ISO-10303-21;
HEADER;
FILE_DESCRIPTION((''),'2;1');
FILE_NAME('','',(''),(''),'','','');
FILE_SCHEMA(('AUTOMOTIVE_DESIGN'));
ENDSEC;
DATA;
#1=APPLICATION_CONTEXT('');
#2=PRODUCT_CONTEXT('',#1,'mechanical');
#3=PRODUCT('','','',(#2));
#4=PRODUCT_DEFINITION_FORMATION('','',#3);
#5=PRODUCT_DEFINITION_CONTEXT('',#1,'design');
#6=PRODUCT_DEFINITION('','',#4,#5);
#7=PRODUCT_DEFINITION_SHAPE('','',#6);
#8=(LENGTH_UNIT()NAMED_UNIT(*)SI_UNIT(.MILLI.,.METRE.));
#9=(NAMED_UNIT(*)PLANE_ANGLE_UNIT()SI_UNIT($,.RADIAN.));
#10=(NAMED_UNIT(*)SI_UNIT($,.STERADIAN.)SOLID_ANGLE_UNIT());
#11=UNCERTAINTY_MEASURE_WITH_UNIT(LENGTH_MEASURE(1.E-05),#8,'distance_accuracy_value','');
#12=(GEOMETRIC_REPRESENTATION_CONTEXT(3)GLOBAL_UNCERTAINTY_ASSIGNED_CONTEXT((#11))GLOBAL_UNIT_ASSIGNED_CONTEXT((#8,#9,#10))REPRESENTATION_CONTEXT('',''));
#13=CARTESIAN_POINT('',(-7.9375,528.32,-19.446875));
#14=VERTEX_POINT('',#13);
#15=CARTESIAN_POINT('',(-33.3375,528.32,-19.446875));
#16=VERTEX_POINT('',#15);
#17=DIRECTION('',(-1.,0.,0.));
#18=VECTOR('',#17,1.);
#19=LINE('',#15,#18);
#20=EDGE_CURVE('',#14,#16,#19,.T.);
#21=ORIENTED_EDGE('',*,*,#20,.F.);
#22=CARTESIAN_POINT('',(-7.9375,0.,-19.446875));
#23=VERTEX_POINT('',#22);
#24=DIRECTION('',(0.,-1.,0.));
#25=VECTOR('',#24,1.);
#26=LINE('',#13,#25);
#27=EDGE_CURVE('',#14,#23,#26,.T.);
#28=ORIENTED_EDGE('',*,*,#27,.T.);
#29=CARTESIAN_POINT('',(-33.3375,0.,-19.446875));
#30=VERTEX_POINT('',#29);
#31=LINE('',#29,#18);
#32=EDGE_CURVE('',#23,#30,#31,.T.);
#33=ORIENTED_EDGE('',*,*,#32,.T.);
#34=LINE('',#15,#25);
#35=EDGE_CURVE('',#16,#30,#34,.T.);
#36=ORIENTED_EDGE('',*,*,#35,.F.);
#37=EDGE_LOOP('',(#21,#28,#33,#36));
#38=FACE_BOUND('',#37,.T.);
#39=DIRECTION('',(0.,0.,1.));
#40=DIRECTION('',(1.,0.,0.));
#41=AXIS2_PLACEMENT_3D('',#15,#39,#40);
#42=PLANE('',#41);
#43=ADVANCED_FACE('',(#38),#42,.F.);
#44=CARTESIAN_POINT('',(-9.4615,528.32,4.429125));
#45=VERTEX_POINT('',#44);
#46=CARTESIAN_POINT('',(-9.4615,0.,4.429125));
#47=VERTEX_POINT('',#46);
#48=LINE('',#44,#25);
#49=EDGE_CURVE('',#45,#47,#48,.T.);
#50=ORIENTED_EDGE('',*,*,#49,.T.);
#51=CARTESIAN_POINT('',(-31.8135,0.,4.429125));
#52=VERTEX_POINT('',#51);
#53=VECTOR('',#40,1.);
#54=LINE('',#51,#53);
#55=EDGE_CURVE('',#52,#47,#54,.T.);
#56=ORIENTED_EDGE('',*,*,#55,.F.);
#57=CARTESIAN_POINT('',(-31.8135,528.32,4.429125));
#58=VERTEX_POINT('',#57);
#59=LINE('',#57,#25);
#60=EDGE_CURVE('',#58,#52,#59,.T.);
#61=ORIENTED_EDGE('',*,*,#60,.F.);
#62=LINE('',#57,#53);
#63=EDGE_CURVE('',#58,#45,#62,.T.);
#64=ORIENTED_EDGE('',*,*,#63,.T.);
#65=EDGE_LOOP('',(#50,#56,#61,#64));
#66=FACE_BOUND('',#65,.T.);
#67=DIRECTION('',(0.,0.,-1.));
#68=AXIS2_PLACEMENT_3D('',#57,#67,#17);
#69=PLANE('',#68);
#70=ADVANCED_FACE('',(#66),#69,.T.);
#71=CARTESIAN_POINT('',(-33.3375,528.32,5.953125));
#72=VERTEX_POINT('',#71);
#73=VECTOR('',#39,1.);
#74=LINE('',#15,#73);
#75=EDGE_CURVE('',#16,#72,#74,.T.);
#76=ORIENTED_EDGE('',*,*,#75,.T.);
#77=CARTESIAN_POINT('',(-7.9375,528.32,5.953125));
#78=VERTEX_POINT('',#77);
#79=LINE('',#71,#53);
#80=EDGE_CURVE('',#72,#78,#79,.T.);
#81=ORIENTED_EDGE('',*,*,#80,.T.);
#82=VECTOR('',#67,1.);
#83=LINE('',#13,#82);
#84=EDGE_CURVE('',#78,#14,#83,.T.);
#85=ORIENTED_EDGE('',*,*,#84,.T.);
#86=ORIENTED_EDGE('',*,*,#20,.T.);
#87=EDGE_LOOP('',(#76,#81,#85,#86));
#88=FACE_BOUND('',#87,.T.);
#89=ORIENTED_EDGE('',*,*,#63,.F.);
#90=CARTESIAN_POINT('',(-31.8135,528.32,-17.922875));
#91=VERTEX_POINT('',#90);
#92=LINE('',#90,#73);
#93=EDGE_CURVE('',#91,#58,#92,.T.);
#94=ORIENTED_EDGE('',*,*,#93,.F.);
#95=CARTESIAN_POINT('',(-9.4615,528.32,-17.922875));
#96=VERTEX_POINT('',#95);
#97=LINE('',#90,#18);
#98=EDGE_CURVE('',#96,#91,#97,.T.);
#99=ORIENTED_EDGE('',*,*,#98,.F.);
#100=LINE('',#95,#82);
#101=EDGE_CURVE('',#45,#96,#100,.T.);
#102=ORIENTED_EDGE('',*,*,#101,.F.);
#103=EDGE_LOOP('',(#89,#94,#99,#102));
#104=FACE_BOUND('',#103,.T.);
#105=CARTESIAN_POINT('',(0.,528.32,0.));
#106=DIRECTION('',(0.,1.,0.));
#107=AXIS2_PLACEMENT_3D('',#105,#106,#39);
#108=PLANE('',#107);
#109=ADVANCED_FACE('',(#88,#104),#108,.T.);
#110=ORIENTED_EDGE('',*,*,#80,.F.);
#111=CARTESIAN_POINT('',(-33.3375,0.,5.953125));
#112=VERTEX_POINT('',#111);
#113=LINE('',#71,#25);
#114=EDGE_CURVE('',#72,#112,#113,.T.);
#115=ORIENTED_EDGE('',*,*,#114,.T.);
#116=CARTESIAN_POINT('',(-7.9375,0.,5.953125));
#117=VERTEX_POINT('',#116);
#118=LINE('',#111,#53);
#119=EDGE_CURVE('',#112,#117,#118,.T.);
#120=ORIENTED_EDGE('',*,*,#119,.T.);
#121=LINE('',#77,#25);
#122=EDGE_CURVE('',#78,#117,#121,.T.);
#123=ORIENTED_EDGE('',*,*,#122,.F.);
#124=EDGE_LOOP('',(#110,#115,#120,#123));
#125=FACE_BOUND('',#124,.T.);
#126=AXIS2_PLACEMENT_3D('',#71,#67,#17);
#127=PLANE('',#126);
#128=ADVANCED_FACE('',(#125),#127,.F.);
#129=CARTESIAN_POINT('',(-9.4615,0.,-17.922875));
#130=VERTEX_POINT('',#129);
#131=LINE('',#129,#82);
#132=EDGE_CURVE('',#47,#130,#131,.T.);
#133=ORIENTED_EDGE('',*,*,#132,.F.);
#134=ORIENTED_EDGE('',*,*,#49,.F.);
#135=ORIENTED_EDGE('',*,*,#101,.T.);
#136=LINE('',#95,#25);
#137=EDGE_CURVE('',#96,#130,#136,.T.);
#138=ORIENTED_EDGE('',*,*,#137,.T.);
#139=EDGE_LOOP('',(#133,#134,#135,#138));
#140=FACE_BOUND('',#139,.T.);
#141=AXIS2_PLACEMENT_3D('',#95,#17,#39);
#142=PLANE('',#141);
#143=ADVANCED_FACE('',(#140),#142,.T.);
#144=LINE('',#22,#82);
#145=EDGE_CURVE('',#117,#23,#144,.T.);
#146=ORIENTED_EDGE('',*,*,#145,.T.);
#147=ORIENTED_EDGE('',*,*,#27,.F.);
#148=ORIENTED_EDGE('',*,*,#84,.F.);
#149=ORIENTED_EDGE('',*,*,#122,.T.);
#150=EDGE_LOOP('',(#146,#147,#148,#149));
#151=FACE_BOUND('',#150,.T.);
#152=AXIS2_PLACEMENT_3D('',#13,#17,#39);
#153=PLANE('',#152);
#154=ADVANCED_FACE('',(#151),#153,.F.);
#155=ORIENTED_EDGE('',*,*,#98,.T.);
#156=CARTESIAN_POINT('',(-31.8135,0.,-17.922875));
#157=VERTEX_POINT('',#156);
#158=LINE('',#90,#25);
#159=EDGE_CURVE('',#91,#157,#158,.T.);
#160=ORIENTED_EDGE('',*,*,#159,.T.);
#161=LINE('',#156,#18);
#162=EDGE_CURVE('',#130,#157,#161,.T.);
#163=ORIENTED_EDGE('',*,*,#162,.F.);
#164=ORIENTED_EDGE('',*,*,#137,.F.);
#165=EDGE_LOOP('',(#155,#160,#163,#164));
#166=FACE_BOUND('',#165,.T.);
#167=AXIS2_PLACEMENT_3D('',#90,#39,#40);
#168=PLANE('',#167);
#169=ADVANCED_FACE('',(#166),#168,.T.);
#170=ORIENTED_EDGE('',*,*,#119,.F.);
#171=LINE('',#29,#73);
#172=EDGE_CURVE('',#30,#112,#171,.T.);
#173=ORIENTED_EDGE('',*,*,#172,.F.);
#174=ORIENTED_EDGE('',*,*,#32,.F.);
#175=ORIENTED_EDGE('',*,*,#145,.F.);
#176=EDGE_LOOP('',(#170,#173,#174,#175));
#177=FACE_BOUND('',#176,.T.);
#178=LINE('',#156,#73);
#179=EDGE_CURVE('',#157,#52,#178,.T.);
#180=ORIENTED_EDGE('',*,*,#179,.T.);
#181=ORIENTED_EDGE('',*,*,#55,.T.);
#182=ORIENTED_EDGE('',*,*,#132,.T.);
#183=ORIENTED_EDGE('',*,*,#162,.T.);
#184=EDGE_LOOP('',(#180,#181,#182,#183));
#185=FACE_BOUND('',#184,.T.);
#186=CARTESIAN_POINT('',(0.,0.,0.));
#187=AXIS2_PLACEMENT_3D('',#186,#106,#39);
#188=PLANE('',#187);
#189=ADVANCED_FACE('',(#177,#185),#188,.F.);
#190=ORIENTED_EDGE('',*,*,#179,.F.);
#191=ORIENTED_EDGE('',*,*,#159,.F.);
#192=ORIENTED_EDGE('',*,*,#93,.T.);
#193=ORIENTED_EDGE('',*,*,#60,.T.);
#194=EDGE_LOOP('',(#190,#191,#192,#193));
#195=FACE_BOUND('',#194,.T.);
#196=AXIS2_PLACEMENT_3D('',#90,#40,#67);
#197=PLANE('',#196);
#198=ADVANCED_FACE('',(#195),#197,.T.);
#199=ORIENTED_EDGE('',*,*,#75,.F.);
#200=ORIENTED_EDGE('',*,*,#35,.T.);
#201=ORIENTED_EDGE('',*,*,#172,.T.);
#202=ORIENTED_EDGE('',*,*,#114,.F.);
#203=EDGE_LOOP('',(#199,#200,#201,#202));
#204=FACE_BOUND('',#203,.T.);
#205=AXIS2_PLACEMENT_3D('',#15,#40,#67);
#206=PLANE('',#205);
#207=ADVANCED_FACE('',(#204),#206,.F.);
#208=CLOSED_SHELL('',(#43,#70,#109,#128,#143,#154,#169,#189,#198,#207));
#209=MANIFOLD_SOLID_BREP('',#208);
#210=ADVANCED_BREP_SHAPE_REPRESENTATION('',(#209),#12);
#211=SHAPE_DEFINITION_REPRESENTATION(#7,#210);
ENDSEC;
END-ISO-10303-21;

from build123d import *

# Parameters (mm, degrees)
SKETCH1_W           = 25.4
SKETCH1_H           = 25.4
SKETCH1_W_2         = 22.352
SKETCH1_H_2         = 22.352
BOSS_EXTRUDE1_DEPTH = 528.32


with BuildPart() as part:
    # Sketch1 → Boss-Extrude1 (new body)
    with BuildSketch(Plane(origin=(0, 0, 0), x_dir=(1, 0, 0), z_dir=(0, 1, 0))):
        with Locations((-20.6375, 6.746875)):
            Rectangle(SKETCH1_W, SKETCH1_H)
        with Locations((-20.6375, 6.746875)):
            Rectangle(SKETCH1_W_2, SKETCH1_H_2, mode=Mode.SUBTRACT)
    extrude(amount=BOSS_EXTRUDE1_DEPTH)


solid = part.part
